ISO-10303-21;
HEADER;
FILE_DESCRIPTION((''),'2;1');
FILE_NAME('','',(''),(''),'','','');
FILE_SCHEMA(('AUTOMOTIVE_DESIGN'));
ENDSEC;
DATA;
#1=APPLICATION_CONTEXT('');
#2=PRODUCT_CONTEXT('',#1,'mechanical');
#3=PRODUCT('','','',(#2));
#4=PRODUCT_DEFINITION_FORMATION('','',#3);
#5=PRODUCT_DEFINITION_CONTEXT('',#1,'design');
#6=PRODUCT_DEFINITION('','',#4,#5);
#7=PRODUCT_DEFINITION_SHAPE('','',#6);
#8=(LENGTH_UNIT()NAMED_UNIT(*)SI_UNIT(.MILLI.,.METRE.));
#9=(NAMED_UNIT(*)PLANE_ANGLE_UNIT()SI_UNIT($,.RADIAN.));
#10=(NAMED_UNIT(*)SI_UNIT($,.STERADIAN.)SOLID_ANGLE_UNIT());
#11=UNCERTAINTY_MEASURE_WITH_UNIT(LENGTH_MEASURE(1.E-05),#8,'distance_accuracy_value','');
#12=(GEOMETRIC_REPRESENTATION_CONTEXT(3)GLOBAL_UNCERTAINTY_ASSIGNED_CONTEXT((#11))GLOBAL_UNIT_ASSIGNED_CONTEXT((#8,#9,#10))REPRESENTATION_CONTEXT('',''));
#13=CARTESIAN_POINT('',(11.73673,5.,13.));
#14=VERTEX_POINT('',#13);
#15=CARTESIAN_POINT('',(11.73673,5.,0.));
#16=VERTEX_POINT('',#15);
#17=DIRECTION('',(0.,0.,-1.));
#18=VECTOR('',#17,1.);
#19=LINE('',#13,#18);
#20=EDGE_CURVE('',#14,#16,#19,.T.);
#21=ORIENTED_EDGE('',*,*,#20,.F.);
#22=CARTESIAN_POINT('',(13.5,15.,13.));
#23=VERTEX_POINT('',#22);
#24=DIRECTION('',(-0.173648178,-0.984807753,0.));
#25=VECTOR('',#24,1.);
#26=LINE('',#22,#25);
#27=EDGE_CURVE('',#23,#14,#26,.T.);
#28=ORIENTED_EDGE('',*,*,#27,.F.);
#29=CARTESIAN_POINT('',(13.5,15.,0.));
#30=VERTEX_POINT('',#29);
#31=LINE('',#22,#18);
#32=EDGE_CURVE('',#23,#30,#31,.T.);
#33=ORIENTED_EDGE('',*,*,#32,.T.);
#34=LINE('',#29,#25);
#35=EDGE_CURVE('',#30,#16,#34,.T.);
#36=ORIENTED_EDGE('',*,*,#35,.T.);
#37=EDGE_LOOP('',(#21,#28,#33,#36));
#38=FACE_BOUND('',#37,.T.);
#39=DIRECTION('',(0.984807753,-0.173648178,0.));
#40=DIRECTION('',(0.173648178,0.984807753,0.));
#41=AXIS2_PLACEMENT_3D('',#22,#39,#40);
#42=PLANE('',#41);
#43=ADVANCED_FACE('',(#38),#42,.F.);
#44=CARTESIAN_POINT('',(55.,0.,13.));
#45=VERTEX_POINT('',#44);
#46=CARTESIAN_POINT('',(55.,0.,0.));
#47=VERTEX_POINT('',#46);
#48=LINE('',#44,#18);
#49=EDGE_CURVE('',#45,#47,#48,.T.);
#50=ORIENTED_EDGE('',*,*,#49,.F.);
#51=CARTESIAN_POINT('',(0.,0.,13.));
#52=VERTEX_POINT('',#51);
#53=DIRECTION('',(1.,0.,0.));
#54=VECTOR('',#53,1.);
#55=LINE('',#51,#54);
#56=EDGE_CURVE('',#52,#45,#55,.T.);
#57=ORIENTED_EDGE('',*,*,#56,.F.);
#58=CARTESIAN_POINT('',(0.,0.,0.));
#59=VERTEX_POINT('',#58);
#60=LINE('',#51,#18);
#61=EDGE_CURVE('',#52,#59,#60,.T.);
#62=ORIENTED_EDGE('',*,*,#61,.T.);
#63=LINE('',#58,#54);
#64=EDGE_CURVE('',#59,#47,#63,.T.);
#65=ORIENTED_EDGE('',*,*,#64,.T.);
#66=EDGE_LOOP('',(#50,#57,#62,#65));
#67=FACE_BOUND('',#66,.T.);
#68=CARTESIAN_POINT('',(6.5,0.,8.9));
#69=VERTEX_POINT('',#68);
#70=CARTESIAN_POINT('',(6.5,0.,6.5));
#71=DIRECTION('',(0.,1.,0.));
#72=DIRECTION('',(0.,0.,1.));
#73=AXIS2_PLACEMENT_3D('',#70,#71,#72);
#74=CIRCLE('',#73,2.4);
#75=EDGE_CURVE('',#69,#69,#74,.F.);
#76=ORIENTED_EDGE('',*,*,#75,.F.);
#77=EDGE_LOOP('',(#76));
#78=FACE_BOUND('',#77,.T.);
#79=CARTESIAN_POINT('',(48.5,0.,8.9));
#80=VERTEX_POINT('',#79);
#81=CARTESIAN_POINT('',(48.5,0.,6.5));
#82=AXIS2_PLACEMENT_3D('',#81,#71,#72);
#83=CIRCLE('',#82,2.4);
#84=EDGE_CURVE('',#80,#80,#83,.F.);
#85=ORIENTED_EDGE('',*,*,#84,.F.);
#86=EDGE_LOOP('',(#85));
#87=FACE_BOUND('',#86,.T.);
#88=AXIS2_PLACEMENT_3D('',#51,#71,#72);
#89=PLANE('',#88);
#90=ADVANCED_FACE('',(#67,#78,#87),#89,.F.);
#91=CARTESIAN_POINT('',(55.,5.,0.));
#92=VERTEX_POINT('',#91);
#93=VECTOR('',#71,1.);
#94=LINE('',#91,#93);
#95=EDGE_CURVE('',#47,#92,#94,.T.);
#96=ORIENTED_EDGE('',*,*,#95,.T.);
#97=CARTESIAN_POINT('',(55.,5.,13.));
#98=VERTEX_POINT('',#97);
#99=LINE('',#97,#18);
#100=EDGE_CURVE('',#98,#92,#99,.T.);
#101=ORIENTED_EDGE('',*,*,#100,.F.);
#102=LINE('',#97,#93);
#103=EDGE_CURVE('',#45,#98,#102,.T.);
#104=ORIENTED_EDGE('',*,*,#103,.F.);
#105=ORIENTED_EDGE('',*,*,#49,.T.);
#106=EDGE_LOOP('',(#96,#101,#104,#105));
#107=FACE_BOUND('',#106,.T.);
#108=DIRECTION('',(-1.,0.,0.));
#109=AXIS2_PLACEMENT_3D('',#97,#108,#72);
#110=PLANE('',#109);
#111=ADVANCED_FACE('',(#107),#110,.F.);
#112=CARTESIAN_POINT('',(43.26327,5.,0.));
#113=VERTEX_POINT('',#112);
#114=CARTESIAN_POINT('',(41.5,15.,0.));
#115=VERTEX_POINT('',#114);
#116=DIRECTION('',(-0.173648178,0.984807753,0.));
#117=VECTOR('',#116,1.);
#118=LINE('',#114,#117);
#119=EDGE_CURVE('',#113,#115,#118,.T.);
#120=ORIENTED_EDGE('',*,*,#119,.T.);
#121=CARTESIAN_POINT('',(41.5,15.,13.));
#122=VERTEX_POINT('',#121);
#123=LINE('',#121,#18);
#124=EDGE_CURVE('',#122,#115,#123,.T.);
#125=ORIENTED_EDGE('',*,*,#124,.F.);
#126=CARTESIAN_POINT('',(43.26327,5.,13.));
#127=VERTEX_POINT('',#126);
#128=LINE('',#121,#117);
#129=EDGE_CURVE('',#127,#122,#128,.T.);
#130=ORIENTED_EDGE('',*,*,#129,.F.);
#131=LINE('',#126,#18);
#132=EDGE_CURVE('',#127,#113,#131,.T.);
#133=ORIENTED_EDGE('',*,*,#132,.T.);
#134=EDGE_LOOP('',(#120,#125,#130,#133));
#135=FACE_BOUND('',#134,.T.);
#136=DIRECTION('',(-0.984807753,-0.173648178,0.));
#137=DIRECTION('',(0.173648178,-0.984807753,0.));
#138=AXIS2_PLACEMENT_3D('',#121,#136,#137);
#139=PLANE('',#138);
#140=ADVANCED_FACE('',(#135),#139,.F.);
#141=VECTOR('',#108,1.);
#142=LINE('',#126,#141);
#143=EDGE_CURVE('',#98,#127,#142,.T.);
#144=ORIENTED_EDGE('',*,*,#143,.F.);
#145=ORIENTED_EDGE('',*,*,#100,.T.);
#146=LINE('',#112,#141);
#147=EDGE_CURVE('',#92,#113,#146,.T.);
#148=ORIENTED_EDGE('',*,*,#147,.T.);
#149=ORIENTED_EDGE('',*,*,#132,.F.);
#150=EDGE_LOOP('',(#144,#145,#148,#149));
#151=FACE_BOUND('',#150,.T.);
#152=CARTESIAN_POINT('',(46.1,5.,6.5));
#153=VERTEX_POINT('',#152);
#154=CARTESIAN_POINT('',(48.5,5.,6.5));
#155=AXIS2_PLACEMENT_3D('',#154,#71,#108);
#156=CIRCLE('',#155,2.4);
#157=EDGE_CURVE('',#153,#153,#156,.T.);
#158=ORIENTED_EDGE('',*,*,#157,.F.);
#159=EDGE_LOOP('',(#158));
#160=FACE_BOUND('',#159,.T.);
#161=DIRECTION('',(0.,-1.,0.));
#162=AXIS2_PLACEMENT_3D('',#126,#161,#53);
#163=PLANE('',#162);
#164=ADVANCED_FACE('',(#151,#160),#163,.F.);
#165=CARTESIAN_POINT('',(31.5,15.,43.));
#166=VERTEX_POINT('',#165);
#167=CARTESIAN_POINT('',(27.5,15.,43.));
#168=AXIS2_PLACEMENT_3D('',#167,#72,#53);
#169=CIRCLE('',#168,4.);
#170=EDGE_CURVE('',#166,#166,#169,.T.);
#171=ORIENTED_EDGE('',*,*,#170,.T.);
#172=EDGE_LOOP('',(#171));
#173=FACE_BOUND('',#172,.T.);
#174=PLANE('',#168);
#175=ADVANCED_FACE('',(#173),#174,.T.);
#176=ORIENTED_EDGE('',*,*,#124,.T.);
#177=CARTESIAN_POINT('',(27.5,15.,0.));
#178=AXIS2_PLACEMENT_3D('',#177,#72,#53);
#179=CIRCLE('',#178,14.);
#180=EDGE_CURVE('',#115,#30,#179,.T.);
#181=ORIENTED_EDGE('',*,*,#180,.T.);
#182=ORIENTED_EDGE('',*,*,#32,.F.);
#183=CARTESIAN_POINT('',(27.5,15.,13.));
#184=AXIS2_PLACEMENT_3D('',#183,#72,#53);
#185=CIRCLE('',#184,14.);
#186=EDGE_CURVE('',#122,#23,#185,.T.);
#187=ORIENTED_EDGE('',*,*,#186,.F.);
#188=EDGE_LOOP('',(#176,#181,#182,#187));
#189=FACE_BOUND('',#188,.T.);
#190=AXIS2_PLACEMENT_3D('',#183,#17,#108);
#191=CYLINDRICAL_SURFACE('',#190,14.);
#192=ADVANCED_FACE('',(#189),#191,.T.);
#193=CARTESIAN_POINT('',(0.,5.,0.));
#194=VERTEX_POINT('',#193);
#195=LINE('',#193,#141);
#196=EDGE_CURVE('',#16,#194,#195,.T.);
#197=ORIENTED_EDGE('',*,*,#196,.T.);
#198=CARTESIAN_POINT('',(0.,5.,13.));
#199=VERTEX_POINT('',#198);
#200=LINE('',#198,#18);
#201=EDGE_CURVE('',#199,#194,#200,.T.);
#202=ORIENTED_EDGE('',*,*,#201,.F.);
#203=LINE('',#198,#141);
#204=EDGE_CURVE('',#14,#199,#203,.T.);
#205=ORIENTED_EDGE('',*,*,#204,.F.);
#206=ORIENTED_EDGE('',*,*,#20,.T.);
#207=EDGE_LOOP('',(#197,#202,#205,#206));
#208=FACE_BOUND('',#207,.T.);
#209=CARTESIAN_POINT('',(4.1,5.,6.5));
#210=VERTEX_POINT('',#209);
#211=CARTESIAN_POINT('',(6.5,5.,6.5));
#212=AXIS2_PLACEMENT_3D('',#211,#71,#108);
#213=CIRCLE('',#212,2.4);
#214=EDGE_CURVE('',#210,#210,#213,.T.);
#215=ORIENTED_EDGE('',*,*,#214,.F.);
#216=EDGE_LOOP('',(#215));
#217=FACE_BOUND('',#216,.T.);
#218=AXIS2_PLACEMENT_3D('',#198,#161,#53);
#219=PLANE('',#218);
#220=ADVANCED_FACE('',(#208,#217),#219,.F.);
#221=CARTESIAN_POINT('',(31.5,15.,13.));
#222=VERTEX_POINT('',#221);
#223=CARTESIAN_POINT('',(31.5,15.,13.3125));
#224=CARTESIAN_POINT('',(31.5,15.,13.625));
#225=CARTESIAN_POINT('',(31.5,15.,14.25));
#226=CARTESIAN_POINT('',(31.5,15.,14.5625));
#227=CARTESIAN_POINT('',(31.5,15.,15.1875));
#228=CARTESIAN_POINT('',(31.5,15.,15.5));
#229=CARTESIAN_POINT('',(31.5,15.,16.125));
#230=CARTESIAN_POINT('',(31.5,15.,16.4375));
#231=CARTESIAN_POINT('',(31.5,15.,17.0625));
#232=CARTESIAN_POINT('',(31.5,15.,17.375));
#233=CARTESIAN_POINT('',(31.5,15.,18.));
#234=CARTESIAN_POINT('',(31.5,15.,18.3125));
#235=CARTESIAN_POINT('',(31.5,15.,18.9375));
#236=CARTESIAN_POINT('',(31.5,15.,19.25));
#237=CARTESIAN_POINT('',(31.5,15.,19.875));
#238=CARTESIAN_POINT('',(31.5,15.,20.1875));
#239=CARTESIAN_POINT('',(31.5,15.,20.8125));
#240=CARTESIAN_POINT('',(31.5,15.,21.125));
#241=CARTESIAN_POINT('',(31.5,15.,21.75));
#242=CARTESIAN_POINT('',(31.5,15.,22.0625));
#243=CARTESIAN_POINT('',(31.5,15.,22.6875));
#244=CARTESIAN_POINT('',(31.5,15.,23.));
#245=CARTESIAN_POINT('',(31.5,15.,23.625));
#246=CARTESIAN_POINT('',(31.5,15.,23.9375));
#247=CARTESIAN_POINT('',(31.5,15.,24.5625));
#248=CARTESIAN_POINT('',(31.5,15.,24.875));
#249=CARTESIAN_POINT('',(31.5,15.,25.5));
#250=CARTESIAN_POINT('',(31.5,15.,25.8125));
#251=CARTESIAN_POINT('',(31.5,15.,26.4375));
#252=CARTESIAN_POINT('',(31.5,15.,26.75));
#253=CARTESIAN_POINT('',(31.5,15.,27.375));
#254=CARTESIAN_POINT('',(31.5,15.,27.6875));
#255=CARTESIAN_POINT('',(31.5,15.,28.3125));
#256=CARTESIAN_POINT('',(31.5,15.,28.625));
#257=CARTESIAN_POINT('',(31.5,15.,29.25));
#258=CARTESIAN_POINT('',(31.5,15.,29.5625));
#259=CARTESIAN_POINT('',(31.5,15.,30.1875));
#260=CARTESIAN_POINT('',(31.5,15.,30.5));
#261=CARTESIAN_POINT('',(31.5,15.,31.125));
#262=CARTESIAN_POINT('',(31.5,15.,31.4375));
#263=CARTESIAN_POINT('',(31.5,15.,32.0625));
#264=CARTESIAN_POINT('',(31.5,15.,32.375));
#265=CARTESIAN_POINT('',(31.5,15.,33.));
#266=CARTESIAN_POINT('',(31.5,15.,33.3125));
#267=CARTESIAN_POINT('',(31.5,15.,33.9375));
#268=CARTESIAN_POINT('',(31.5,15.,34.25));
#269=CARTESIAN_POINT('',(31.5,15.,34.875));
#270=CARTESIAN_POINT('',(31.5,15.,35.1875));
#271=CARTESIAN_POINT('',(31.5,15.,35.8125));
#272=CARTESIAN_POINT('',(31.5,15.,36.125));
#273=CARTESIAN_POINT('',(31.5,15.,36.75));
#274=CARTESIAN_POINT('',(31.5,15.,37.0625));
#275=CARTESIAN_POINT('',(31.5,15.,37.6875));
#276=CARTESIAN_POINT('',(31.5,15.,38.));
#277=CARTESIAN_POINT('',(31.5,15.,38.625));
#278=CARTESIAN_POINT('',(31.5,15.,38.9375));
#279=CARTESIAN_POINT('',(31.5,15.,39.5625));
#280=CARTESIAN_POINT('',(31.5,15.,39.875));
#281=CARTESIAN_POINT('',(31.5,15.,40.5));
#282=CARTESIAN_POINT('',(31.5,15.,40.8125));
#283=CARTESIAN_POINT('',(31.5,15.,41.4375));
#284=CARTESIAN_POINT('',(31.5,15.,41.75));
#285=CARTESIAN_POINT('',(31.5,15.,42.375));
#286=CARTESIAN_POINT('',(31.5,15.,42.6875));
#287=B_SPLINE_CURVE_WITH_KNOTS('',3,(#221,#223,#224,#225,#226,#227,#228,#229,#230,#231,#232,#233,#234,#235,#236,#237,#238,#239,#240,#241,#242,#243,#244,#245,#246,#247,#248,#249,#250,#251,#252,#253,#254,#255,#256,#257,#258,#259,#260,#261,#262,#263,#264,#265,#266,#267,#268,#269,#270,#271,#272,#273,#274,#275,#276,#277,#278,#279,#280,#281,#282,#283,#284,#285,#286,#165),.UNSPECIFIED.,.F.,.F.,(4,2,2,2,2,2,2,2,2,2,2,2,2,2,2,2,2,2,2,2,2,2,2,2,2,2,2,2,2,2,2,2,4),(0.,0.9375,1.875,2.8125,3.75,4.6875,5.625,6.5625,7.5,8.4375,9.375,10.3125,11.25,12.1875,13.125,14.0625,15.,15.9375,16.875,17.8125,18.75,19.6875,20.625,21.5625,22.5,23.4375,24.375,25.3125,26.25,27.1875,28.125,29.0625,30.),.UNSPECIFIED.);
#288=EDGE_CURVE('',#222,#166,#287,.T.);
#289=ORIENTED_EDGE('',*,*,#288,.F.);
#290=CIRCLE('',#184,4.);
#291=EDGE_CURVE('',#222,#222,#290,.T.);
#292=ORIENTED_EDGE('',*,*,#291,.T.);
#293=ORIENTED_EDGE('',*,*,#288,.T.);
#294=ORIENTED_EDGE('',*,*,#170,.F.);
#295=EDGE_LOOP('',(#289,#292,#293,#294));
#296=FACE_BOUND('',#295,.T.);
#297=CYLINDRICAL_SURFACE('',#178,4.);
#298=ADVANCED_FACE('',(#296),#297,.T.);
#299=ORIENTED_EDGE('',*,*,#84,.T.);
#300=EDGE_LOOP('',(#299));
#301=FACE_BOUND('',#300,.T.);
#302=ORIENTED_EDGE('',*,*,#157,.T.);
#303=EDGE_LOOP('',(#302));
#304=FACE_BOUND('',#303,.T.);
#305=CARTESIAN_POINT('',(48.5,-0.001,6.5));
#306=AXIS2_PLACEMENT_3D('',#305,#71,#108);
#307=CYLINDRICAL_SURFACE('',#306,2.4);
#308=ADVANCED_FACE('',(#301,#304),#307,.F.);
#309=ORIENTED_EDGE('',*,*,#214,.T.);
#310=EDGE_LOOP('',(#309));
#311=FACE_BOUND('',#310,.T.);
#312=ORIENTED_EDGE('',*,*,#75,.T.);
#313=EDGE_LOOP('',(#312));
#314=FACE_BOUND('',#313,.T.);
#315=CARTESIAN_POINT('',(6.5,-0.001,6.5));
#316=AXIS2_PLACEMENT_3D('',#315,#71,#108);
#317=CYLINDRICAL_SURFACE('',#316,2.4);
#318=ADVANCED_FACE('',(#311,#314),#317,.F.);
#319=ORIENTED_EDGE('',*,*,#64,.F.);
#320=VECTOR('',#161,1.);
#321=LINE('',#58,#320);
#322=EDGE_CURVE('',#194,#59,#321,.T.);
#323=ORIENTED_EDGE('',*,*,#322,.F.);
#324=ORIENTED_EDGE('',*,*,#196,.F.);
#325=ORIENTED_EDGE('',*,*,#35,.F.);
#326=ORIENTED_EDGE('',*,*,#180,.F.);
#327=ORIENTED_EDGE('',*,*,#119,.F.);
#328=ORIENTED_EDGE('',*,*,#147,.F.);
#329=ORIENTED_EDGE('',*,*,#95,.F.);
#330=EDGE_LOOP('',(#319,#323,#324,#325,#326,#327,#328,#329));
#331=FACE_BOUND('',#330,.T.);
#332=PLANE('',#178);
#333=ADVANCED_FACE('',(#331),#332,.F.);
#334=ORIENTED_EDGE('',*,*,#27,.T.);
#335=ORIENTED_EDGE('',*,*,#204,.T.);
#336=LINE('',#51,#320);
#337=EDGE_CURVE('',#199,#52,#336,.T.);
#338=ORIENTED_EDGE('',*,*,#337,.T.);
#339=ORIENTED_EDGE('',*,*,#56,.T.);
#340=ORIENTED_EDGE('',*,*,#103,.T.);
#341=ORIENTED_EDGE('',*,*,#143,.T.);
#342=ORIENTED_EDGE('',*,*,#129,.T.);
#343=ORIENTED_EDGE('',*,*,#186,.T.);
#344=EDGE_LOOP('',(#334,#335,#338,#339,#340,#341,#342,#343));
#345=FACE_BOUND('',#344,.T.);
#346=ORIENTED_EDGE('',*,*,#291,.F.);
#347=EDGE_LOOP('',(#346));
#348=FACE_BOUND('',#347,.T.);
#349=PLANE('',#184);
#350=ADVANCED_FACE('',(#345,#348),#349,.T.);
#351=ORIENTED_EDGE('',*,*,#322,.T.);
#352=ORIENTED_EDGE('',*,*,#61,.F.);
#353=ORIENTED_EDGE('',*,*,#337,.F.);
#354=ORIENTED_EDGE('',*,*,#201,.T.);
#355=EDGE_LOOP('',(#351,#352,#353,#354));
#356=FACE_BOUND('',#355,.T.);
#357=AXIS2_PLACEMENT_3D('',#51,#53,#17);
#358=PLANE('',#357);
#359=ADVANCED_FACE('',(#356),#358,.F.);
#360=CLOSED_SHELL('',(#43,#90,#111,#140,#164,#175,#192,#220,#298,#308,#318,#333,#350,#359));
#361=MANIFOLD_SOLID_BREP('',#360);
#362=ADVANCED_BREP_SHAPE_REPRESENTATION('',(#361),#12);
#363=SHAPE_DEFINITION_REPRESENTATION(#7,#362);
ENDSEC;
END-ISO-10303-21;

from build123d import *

# Parameters (mm, degrees)
EXTRUDE_1_DEPTH      = 13
SKETCH_2_R           = 4
CUT_EXTRUDE_1_DEPTH  = 13
CUT_EXTRUDE_2_REACH  = 63.4
SKETCH_3_R           = 2.4
EXTRUDE_2_DEPTH      = 30
EXTRUDE_2_DEPTH_BACK = 13
SKETCH_4_R           = 4


with BuildPart() as part:
    # 草图1 → 凸台-拉伸1 (new body)
    with BuildSketch(Plane.XY):
        with BuildLine():
            Line((0, 0), (55, 0))
            Line((55, 0), (55, 5))
            Line((55, 5), (43.263269807, 5))
            Line((43.263269807, 5), (41.5, 15))
            ThreePointArc((41.5, 15), (27.5, 29), (13.5, 15))
            Line((13.5, 15), (11.736730193, 5))
            Line((11.736730193, 5), (0, 5))
            Line((0, 5), (0, 0))
        make_face()
    extrude(amount=EXTRUDE_1_DEPTH)

    # 草图2 → 切除-拉伸1 (cut)
    with BuildSketch(Plane.XY.offset(13)):
        with Locations((27.5, 15)):
            Circle(SKETCH_2_R)
    extrude(amount=-CUT_EXTRUDE_1_DEPTH, mode=Mode.SUBTRACT)

    # 草图3 → 切除-拉伸2 (cut, up to next)
    with BuildSketch(Plane(origin=(0, 5, 0), x_dir=(1, 0, 0), z_dir=(0, 1, 0)), mode=Mode.PRIVATE) as cut_extrude_2_sk1:
        with Locations(Location((6.5, -6.5, 0), (0, 0, 180))):
            Circle(SKETCH_3_R)
    cut_extrude_2_tool1 = extrude(cut_extrude_2_sk1.sketch, amount=-CUT_EXTRUDE_2_REACH, mode=Mode.PRIVATE) & part.part
    # 草图3 → 切除-拉伸2 (cut, up to next)
    with BuildSketch(Plane(origin=(0, 5, 0), x_dir=(1, 0, 0), z_dir=(0, 1, 0)), mode=Mode.PRIVATE) as cut_extrude_2_sk2:
        with Locations(Location((48.5, -6.5, 0), (0, 0, 180))):
            Circle(SKETCH_3_R)
    cut_extrude_2_tool2 = extrude(cut_extrude_2_sk2.sketch, amount=-CUT_EXTRUDE_2_REACH, mode=Mode.PRIVATE) & part.part
    add(cut_extrude_2_tool1.solids().sort_by_distance((6.5, 5, 6.5))[0], mode=Mode.SUBTRACT)
    add(cut_extrude_2_tool2.solids().sort_by_distance((48.5, 5, 6.5))[0], mode=Mode.SUBTRACT)

    # 草图4 → 凸台-拉伸2 (add, two sides: drawn at the far end of the back side and taken through both)
    with BuildSketch(Plane.XY.offset(13).offset(-EXTRUDE_2_DEPTH_BACK)):
        with Locations((27.5, 15)):
            Circle(SKETCH_4_R)
    extrude(amount=EXTRUDE_2_DEPTH + EXTRUDE_2_DEPTH_BACK)


solid = part.part
